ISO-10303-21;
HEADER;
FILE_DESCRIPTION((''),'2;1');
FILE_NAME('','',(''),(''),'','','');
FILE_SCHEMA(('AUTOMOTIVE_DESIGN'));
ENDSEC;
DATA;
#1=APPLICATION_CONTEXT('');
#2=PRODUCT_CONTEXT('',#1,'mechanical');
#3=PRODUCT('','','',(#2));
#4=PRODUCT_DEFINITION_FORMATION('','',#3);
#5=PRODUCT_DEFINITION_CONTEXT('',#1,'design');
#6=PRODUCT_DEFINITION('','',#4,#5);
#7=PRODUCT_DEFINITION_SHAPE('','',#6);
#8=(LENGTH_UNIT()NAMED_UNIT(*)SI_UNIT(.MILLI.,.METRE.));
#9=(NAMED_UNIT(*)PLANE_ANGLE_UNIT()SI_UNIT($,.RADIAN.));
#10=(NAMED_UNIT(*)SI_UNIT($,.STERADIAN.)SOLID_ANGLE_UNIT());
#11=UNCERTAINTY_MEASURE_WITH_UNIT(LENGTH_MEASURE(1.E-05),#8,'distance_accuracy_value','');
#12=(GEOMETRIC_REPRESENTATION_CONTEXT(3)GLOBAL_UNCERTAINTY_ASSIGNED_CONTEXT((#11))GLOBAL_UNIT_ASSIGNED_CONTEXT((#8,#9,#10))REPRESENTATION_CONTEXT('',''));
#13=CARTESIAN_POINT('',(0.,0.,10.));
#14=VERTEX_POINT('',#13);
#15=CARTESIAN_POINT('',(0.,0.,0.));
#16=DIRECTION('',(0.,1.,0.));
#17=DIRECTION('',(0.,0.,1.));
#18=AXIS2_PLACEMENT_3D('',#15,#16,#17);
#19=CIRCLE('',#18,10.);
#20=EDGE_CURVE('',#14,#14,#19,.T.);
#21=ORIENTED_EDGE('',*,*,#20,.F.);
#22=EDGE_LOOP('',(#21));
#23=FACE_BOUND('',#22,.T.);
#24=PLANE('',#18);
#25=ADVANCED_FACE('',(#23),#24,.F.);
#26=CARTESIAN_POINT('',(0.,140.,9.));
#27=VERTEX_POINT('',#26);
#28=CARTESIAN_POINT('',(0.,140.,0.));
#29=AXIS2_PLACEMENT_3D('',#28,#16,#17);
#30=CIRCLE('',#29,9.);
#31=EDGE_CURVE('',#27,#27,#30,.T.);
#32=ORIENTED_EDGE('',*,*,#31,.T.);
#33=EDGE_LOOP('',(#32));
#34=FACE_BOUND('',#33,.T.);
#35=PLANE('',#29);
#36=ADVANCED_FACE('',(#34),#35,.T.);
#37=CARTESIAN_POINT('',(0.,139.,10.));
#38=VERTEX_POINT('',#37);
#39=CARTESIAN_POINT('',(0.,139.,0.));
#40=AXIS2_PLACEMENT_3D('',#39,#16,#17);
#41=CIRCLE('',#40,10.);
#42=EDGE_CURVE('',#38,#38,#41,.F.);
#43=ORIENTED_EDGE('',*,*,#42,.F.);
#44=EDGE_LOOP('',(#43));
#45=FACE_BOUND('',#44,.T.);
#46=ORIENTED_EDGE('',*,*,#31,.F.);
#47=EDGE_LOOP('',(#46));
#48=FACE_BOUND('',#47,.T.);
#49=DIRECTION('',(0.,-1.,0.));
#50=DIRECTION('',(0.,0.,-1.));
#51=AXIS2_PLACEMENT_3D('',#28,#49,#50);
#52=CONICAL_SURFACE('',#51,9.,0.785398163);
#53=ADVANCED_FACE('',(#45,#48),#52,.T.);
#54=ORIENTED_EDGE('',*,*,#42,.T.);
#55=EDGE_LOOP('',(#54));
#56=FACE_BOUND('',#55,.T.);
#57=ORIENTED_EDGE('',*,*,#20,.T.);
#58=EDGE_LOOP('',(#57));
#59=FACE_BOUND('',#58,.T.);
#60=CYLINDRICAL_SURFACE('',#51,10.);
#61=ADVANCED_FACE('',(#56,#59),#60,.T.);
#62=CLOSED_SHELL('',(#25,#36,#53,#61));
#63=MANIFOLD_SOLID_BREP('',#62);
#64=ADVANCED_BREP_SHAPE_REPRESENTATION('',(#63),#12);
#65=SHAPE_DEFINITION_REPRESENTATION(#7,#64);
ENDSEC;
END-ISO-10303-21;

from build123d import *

# Parameters (mm, degrees)
SKETCH1_R           = 10
BOSS_EXTRUDE1_DEPTH = 140
CHAMFER1_SIZE       = 1


with BuildPart() as part:
    # Sketch1 → Boss-Extrude1 (new body)
    with BuildSketch(Plane(origin=(0, 0, 0), x_dir=(1, 0, 0), z_dir=(0, 1, 0))):
        Circle(SKETCH1_R)
    extrude(amount=BOSS_EXTRUDE1_DEPTH)

    # Chamfer1
    chamfer1_edges = [part.edges().sort_by_distance(p)[0] for p in [
        (-10, 140, 0),
    ]]
    chamfer(chamfer1_edges, length=CHAMFER1_SIZE)


solid = part.part
